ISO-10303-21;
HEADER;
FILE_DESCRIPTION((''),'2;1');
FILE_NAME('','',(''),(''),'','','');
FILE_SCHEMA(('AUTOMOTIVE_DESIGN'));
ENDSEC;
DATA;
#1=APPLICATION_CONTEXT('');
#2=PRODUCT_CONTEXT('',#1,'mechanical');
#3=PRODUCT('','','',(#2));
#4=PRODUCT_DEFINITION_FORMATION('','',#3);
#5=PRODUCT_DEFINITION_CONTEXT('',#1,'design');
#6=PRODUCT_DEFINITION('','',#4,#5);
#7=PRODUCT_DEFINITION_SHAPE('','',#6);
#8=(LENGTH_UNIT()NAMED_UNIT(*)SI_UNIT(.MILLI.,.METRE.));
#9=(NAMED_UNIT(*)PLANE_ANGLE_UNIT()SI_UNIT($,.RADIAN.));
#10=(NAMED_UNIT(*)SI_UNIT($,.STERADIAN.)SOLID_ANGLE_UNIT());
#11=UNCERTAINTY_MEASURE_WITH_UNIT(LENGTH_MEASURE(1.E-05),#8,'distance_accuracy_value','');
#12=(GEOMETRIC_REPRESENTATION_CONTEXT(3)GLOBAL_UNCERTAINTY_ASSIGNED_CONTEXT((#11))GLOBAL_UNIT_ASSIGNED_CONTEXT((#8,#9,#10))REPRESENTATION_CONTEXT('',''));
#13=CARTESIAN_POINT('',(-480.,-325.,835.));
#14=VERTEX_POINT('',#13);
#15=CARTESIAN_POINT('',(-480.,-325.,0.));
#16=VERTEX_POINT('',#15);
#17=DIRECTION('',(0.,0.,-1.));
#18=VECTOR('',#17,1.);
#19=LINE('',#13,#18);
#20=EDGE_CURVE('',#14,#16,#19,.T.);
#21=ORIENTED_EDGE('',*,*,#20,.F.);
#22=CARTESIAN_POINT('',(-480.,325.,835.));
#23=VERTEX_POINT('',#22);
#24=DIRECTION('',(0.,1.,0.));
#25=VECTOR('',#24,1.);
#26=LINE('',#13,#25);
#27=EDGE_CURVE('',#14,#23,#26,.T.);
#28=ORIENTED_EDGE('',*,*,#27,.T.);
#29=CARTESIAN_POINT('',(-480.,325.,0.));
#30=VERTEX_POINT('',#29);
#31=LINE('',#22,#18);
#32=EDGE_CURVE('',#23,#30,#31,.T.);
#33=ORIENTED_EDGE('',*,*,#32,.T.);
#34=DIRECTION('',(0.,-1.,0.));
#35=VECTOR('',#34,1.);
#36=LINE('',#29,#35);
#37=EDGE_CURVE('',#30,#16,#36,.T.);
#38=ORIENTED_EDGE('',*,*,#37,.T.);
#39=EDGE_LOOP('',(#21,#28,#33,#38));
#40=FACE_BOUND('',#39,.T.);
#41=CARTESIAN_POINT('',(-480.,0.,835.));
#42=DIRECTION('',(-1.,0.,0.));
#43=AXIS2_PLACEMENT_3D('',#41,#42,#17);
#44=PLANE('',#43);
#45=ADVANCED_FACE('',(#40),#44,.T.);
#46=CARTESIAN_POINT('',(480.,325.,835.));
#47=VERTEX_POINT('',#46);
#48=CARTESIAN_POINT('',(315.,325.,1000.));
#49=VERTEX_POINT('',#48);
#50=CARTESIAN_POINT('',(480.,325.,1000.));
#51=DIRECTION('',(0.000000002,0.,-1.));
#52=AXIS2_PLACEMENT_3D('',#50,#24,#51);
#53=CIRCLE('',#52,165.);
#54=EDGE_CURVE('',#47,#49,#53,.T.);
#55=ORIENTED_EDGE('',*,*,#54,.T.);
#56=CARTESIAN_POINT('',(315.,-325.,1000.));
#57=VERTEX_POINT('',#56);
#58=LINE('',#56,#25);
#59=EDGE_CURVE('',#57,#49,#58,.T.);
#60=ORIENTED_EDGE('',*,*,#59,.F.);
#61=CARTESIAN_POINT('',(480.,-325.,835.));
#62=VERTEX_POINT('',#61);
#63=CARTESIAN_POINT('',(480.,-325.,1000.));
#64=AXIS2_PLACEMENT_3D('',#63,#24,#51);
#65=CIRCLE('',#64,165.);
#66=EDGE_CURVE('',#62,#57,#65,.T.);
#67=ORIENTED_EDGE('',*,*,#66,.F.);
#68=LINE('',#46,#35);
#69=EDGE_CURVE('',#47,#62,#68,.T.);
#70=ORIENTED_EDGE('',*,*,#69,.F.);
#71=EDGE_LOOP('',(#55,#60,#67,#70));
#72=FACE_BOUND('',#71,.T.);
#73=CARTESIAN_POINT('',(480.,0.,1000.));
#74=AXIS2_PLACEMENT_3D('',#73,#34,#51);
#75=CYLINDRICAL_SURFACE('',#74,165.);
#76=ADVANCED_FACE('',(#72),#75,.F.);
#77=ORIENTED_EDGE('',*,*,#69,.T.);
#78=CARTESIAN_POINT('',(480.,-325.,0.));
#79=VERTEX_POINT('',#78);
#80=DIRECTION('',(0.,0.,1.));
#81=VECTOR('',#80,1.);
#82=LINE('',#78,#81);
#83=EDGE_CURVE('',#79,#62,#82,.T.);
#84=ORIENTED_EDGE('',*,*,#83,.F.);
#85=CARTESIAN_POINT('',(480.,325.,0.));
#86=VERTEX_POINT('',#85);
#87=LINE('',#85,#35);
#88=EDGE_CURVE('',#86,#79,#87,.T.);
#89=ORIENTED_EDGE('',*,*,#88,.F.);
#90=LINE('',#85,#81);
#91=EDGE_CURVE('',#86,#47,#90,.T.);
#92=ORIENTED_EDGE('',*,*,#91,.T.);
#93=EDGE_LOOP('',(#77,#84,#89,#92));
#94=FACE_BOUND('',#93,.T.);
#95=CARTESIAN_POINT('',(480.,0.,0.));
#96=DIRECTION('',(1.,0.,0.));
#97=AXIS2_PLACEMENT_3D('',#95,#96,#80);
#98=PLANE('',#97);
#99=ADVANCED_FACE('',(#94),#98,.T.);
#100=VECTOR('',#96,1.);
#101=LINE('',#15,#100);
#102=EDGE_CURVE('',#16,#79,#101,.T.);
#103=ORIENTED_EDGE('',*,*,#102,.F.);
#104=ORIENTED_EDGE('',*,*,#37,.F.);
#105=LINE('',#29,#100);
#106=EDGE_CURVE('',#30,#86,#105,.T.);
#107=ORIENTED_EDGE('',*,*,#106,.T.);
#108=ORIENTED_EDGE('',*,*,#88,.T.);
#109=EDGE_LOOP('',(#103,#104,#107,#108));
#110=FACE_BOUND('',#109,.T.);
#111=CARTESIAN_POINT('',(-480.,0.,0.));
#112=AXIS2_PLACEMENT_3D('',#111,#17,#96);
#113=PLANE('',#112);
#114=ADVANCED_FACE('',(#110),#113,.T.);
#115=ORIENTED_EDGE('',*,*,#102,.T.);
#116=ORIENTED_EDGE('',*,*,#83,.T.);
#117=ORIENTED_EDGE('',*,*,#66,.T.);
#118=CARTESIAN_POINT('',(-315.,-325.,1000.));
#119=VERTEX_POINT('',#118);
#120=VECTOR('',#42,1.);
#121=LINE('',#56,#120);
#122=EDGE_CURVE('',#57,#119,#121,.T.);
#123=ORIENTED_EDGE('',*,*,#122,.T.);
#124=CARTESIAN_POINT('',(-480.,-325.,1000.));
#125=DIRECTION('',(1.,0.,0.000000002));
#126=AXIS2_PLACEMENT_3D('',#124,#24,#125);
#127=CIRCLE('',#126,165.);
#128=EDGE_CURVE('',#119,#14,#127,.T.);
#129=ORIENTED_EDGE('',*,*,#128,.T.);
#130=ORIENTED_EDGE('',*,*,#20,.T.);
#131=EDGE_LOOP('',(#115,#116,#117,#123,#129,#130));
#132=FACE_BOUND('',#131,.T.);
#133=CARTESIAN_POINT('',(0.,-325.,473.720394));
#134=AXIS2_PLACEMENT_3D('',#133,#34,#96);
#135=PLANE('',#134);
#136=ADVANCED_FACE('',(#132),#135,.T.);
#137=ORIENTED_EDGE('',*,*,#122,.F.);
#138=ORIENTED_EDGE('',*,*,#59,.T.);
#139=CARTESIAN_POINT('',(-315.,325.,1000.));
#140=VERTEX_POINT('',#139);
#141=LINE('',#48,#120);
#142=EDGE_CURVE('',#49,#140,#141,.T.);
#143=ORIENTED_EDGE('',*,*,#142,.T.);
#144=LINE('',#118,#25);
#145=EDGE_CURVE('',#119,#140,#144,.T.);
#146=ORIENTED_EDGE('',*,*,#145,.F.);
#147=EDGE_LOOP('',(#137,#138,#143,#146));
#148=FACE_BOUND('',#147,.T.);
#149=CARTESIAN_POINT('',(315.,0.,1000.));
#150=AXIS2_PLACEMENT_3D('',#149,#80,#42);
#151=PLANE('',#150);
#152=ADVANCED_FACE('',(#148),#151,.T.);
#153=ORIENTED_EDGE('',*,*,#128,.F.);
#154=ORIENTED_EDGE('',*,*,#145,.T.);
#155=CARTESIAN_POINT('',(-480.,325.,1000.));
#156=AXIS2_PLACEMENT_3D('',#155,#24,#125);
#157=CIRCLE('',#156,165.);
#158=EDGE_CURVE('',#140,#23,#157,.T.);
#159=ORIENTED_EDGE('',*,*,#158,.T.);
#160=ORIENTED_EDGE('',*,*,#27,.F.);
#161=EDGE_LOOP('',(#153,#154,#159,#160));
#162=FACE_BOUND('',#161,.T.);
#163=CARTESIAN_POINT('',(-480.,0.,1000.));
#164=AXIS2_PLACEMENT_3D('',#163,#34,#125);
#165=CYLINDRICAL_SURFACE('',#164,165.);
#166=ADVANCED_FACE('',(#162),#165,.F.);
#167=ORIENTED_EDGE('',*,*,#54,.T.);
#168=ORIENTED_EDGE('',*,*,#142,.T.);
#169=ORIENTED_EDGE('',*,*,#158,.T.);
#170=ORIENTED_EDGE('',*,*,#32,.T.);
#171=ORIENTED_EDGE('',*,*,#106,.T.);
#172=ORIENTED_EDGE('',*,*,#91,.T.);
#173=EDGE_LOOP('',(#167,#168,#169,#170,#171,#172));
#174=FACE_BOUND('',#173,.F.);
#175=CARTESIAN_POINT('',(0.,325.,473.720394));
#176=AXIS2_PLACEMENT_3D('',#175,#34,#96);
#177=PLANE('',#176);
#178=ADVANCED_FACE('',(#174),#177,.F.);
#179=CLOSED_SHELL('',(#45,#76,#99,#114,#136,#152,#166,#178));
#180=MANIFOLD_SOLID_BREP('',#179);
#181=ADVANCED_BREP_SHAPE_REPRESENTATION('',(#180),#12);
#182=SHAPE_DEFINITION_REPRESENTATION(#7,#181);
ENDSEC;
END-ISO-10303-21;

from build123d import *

# Parameters (mm, degrees)
F1_DEPTH = 325


with BuildPart() as f1:
    # F0 (on Front) → F1 (new body, symmetric)
    with BuildSketch(Plane.XZ):
        with BuildLine():
            Line((-480, 835), (-480, 0))
            Line((-480, 0), (480, 0))
            Line((480, 0), (480, 835))
            ThreePointArc((480, 835), (363.327381, 883.327381), (315, 1000))
            Line((315, 1000), (-315, 1000))
            ThreePointArc((-315, 1000), (-363.327381, 883.327381), (-480, 835))
        make_face()
    extrude(amount=F1_DEPTH, both=True)


solid = f1.part
